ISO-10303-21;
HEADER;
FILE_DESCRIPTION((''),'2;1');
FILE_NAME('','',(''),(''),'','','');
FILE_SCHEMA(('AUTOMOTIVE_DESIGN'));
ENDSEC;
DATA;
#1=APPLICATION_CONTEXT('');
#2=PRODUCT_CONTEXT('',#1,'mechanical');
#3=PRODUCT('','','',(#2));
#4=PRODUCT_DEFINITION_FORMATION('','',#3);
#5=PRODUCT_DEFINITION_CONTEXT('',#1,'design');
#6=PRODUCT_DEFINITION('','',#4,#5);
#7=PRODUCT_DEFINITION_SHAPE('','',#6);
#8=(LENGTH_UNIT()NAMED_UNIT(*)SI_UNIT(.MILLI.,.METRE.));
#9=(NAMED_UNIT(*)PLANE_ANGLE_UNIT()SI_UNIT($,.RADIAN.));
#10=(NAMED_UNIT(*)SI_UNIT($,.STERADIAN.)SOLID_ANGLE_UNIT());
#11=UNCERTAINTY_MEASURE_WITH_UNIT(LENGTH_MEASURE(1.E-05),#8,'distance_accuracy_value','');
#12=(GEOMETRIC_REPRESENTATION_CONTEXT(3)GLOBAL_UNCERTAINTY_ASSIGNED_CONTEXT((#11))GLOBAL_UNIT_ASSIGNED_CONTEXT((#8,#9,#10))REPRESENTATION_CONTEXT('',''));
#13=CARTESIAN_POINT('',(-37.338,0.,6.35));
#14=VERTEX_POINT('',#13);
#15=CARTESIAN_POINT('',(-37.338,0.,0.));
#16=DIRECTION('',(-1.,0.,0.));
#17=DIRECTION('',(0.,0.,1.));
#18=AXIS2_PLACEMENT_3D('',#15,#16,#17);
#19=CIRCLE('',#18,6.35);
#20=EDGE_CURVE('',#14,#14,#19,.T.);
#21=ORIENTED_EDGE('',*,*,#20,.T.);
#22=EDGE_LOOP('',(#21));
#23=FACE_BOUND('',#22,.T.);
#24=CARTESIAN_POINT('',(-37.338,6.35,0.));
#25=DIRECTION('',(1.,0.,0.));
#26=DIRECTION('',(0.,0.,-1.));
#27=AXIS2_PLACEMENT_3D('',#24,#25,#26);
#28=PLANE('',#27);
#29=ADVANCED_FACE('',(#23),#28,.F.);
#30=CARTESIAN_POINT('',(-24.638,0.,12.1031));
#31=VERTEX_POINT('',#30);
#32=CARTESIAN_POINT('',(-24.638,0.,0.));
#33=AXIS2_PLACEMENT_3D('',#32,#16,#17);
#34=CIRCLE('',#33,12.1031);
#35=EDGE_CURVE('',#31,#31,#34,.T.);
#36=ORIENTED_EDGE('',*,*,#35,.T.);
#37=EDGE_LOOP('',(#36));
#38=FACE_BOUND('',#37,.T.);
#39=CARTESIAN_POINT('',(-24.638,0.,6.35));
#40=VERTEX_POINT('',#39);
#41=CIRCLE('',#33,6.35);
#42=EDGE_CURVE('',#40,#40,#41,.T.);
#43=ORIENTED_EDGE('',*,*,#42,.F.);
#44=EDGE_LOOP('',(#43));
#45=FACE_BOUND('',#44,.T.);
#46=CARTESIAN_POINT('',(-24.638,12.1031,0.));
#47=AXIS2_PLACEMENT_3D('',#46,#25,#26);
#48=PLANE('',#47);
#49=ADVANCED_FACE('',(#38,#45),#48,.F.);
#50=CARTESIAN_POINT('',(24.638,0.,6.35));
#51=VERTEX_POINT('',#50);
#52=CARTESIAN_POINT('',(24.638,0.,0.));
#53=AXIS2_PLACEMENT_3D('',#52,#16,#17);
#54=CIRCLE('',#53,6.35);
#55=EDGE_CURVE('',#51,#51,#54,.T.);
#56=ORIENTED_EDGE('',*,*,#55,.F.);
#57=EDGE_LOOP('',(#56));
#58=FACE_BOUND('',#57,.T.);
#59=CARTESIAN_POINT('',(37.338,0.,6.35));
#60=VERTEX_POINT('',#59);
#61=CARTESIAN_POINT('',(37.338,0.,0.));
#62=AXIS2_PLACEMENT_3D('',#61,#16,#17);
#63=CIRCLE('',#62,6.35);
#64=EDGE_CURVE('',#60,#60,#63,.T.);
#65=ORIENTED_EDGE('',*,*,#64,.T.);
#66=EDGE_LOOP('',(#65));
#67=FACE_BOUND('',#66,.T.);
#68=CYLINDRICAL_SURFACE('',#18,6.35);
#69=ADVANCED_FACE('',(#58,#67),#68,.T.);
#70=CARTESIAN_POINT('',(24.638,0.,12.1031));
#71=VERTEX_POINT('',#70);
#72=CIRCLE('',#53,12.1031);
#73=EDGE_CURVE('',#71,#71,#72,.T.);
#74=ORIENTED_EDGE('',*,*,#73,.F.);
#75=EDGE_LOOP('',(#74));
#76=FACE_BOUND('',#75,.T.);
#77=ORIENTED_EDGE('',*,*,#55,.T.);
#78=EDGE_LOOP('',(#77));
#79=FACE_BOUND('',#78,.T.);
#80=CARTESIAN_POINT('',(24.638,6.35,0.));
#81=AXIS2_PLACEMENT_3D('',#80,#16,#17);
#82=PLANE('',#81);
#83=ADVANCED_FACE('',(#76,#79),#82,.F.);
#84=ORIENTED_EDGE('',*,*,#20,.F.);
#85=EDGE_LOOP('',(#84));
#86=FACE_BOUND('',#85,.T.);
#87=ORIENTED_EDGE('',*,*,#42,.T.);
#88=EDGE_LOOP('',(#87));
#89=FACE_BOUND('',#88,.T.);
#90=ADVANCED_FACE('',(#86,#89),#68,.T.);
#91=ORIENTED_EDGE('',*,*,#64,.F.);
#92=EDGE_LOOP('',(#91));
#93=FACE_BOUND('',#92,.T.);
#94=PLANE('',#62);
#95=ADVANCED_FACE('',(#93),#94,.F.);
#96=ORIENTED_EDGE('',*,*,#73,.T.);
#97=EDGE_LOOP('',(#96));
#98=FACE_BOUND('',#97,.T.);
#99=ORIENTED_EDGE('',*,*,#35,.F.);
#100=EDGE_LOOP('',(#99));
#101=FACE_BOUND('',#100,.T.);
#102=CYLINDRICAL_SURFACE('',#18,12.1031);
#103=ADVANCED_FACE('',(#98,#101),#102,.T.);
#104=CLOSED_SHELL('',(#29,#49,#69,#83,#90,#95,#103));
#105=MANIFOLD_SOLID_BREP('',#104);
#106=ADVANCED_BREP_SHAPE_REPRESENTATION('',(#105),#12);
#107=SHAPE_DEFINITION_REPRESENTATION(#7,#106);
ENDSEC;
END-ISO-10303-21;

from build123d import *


with BuildPart() as part:
    # Sketch1 → Revolve1 (revolve)
    with BuildSketch(Plane.XY):
        Polygon((-37.338, 0), (37.338, 0), (37.338, 6.35), (24.638, 6.35), (24.638, 12.1031), (-24.638, 12.1031), (-24.638, 6.35), (-37.338, 6.35), align=None)
    revolve(axis=Axis((-37.338, 0, 0), (1, 0, 0)))


solid = part.part
